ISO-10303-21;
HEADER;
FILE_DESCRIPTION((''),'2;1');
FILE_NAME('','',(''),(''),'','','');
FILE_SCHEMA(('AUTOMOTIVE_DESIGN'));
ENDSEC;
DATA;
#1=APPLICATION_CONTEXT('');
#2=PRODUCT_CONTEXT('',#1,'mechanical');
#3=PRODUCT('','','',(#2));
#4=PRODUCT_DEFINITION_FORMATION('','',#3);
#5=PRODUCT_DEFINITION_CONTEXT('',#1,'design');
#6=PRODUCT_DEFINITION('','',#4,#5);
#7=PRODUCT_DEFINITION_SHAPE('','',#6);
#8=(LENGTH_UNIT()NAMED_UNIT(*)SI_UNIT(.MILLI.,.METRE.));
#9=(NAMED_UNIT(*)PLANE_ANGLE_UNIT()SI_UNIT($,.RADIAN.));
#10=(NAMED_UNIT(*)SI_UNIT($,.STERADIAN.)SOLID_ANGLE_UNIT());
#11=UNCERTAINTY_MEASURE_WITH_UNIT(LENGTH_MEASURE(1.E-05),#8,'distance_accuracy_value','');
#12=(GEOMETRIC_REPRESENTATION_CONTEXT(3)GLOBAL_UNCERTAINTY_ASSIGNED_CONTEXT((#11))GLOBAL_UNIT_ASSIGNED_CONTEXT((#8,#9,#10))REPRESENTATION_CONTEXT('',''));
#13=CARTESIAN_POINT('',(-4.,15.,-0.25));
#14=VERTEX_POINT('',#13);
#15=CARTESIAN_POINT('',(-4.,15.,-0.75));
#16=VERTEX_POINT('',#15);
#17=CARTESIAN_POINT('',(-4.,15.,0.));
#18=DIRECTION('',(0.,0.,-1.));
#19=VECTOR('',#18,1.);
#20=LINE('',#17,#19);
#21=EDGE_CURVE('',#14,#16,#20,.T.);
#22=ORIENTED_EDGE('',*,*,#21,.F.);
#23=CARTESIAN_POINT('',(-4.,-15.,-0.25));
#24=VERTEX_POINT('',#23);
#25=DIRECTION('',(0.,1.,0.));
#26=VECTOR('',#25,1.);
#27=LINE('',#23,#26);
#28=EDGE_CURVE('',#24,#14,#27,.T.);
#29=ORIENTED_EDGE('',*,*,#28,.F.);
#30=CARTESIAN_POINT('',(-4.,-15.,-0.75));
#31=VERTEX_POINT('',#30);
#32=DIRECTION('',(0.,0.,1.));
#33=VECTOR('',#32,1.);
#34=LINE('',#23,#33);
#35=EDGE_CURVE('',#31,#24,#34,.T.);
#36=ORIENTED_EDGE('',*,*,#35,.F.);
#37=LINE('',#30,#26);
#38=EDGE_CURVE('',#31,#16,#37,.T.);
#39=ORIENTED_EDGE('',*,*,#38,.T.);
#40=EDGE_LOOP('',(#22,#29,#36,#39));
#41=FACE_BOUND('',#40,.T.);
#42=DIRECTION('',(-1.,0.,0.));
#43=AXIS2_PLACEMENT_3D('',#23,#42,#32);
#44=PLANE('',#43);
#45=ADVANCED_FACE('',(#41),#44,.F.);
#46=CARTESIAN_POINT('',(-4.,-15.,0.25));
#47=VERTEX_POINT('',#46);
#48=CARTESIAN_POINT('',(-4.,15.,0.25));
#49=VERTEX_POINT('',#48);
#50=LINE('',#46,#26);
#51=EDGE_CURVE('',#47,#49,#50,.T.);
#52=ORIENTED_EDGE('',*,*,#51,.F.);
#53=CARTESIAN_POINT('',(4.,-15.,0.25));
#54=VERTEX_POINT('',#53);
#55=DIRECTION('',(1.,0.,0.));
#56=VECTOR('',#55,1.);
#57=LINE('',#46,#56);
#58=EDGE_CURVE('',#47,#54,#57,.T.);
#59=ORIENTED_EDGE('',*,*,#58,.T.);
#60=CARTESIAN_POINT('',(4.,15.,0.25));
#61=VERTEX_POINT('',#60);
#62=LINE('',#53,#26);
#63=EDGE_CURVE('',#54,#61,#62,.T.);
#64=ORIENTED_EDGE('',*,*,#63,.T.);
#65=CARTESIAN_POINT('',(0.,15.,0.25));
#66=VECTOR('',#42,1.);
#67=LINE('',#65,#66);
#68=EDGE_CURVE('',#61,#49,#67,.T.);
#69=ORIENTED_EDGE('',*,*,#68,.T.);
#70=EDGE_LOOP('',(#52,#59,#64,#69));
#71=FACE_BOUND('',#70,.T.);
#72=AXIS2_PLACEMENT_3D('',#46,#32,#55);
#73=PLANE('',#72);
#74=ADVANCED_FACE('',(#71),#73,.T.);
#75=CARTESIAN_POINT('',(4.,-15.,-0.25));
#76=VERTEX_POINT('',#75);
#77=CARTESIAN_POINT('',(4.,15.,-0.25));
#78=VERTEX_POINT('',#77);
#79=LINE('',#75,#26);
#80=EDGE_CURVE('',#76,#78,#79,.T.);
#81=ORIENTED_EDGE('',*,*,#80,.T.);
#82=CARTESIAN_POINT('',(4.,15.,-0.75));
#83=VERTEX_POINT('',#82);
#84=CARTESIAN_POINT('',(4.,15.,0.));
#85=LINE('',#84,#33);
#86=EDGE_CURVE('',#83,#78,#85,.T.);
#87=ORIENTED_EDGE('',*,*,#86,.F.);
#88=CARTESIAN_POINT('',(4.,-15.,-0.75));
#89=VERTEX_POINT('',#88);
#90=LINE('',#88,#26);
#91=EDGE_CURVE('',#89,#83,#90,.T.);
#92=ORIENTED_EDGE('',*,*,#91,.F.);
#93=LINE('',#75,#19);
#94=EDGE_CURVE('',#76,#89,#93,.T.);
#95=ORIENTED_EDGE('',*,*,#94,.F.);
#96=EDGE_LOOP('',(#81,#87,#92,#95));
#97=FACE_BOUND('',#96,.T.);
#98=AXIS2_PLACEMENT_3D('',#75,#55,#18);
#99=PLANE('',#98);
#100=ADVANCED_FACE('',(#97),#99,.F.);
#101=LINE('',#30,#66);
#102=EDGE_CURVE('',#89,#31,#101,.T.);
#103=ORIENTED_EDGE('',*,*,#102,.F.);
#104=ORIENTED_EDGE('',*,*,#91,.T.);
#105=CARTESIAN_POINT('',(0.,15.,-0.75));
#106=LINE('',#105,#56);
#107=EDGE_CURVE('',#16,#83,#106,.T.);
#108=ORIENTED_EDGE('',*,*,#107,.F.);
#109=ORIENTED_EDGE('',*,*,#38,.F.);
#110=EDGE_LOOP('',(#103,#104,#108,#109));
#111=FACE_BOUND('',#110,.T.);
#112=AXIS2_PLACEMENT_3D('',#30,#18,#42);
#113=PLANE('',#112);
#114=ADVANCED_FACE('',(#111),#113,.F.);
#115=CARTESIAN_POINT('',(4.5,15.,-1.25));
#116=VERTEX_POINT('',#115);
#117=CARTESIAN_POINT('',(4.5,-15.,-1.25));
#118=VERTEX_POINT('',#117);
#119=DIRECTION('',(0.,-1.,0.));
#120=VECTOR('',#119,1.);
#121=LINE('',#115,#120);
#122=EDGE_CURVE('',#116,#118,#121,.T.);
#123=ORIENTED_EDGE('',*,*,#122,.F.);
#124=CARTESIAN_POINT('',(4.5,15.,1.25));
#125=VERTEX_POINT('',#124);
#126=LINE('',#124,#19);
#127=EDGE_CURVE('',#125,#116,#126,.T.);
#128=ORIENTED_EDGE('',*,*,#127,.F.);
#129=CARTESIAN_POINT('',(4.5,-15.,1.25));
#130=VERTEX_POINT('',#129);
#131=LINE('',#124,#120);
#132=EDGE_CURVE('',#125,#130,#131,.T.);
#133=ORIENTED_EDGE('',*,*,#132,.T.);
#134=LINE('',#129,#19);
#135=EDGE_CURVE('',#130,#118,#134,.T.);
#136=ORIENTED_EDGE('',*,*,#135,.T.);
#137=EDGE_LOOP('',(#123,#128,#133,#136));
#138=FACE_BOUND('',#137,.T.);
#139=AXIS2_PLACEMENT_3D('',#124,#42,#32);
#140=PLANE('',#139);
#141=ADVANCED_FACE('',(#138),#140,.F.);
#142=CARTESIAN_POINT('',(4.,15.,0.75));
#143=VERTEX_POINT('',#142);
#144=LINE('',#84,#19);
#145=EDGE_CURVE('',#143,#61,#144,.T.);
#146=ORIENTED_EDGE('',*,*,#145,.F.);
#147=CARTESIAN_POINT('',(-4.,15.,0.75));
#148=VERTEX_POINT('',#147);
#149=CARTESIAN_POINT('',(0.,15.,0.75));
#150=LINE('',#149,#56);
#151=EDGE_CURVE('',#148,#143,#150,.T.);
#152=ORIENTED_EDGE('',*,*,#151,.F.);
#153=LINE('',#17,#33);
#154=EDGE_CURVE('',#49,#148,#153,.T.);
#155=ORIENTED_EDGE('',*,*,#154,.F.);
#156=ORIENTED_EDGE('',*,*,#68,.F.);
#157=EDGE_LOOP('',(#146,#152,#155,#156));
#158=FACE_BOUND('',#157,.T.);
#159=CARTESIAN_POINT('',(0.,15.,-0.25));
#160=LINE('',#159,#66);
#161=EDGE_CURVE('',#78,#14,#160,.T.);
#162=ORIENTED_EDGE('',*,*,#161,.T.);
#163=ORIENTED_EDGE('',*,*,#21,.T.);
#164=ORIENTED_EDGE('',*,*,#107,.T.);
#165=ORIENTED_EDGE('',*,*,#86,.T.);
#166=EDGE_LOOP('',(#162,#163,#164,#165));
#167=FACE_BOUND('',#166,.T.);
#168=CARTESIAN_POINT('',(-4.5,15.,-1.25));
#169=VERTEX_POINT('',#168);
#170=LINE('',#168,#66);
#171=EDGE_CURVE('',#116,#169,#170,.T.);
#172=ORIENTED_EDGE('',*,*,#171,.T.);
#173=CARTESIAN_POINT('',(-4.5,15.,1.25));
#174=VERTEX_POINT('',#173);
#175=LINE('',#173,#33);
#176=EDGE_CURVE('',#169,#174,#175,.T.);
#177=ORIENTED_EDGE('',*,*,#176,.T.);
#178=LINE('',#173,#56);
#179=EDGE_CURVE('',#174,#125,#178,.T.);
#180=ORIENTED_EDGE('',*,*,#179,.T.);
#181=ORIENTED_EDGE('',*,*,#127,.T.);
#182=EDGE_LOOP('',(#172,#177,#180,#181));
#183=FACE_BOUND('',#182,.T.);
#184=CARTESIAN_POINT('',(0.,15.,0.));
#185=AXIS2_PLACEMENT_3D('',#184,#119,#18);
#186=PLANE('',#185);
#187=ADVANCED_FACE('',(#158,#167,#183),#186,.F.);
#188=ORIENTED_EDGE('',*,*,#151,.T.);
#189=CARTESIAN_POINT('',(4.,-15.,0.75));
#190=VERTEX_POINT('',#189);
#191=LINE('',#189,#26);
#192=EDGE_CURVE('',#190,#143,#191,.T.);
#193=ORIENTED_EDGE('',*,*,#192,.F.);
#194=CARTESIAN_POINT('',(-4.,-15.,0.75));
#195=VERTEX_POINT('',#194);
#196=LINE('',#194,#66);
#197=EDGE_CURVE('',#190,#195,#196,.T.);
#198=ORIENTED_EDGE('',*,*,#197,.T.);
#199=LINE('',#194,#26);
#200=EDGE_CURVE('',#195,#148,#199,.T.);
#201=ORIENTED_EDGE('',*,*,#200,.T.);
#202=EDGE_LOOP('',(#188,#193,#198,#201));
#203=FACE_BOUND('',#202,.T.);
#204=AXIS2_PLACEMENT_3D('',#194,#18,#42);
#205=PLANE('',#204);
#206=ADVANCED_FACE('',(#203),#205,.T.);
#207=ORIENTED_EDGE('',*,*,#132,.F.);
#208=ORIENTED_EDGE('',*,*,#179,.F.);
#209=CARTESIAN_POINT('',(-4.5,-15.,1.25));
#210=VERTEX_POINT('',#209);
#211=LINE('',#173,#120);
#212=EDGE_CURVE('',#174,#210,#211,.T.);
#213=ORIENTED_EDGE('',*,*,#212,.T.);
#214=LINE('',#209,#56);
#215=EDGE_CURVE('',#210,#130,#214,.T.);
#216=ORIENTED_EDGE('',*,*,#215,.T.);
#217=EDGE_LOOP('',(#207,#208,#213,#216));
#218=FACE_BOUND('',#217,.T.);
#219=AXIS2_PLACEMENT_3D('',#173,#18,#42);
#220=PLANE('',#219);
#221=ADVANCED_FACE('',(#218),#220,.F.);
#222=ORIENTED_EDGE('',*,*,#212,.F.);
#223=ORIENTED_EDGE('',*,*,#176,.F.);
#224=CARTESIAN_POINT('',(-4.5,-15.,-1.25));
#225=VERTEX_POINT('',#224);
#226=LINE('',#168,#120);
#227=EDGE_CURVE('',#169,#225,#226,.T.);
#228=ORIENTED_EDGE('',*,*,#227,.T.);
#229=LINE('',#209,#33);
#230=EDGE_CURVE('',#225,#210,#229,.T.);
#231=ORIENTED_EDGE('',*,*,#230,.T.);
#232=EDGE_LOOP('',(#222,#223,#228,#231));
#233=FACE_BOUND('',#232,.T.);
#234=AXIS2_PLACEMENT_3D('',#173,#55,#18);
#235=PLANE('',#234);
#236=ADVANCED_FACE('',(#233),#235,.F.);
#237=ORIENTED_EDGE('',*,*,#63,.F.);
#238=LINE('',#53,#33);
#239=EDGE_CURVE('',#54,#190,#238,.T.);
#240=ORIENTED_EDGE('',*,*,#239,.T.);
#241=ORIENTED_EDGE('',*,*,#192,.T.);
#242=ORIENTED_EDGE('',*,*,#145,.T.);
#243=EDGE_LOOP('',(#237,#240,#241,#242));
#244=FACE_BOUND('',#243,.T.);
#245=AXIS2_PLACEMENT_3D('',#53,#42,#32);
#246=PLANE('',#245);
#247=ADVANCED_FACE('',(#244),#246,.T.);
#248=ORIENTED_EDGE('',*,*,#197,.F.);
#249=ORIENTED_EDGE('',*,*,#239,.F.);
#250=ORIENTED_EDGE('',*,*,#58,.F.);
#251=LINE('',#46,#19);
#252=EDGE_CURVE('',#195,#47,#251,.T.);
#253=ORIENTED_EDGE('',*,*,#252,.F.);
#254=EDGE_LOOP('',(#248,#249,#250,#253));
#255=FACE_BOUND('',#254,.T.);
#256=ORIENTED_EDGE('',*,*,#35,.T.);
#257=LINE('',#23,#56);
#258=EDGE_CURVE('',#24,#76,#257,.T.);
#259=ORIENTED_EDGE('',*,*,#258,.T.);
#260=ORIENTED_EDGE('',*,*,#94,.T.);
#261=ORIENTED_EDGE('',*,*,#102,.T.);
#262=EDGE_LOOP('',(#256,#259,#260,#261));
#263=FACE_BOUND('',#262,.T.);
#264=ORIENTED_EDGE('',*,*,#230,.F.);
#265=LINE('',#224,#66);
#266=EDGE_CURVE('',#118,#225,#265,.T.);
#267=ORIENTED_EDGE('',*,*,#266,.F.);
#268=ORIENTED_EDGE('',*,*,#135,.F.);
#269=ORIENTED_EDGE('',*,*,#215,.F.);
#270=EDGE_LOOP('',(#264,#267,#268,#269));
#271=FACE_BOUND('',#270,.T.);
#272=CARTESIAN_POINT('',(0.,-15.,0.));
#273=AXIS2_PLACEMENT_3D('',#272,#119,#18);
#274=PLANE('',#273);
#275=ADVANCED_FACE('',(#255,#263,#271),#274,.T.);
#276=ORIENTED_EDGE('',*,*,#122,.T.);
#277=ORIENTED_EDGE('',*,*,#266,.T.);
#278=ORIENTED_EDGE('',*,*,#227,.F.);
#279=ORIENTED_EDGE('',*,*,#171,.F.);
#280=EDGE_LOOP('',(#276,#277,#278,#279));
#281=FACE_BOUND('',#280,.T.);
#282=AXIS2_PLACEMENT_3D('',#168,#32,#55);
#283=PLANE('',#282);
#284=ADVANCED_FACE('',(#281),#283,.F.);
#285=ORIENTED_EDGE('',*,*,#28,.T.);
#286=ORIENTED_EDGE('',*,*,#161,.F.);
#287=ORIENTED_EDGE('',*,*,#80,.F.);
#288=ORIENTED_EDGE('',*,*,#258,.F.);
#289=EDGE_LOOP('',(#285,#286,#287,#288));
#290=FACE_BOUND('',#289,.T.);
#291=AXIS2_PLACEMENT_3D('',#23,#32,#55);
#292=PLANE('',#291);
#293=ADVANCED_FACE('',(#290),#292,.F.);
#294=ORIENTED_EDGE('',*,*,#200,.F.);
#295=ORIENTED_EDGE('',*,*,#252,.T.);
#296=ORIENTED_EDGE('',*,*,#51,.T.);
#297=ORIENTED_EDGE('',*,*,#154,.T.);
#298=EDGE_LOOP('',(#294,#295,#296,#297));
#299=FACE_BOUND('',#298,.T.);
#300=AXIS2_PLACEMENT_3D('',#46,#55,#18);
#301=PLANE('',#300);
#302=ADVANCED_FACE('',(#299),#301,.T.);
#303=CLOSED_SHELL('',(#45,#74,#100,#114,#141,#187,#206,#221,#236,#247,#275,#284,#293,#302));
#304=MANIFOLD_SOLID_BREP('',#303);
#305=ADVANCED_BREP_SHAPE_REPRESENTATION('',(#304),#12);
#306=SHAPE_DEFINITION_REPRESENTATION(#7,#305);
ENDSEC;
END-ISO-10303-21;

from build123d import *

# Parameters (mm, degrees)
SKETCH1_W           = 9
SKETCH1_H           = 2.5
BOSS_EXTRUDE1_DEPTH = 15
CUT_EXTRUDE1_START  = -31
SKETCH2_W           = 8
SKETCH2_H           = 0.5
CUT_EXTRUDE1_DEPTH  = 32


with BuildPart() as part:
    # Sketch1 → Boss-Extrude1 (new body, symmetric)
    with BuildSketch(Plane(origin=(0, 0, 0), x_dir=(1, 0, 0), z_dir=(0, 1, 0))):
        Rectangle(SKETCH1_W, SKETCH1_H)
    extrude(amount=BOSS_EXTRUDE1_DEPTH, both=True)

    # Sketch2 → Cut-Extrude1 (cut)
    with BuildSketch(Plane(origin=(0, 15, 0), x_dir=(1, 0, 0), z_dir=(0, 1, 0)).offset(CUT_EXTRUDE1_START)):
        with Locations((0, 0.5)):
            Rectangle(SKETCH2_W, SKETCH2_H)
    cut_extrude1 = extrude(amount=CUT_EXTRUDE1_DEPTH, mode=Mode.SUBTRACT)

    # Mirror1: Cut-Extrude1 across plane
    add(cut_extrude1.mirror(Plane.XY), mode=Mode.SUBTRACT)


solid = part.part
